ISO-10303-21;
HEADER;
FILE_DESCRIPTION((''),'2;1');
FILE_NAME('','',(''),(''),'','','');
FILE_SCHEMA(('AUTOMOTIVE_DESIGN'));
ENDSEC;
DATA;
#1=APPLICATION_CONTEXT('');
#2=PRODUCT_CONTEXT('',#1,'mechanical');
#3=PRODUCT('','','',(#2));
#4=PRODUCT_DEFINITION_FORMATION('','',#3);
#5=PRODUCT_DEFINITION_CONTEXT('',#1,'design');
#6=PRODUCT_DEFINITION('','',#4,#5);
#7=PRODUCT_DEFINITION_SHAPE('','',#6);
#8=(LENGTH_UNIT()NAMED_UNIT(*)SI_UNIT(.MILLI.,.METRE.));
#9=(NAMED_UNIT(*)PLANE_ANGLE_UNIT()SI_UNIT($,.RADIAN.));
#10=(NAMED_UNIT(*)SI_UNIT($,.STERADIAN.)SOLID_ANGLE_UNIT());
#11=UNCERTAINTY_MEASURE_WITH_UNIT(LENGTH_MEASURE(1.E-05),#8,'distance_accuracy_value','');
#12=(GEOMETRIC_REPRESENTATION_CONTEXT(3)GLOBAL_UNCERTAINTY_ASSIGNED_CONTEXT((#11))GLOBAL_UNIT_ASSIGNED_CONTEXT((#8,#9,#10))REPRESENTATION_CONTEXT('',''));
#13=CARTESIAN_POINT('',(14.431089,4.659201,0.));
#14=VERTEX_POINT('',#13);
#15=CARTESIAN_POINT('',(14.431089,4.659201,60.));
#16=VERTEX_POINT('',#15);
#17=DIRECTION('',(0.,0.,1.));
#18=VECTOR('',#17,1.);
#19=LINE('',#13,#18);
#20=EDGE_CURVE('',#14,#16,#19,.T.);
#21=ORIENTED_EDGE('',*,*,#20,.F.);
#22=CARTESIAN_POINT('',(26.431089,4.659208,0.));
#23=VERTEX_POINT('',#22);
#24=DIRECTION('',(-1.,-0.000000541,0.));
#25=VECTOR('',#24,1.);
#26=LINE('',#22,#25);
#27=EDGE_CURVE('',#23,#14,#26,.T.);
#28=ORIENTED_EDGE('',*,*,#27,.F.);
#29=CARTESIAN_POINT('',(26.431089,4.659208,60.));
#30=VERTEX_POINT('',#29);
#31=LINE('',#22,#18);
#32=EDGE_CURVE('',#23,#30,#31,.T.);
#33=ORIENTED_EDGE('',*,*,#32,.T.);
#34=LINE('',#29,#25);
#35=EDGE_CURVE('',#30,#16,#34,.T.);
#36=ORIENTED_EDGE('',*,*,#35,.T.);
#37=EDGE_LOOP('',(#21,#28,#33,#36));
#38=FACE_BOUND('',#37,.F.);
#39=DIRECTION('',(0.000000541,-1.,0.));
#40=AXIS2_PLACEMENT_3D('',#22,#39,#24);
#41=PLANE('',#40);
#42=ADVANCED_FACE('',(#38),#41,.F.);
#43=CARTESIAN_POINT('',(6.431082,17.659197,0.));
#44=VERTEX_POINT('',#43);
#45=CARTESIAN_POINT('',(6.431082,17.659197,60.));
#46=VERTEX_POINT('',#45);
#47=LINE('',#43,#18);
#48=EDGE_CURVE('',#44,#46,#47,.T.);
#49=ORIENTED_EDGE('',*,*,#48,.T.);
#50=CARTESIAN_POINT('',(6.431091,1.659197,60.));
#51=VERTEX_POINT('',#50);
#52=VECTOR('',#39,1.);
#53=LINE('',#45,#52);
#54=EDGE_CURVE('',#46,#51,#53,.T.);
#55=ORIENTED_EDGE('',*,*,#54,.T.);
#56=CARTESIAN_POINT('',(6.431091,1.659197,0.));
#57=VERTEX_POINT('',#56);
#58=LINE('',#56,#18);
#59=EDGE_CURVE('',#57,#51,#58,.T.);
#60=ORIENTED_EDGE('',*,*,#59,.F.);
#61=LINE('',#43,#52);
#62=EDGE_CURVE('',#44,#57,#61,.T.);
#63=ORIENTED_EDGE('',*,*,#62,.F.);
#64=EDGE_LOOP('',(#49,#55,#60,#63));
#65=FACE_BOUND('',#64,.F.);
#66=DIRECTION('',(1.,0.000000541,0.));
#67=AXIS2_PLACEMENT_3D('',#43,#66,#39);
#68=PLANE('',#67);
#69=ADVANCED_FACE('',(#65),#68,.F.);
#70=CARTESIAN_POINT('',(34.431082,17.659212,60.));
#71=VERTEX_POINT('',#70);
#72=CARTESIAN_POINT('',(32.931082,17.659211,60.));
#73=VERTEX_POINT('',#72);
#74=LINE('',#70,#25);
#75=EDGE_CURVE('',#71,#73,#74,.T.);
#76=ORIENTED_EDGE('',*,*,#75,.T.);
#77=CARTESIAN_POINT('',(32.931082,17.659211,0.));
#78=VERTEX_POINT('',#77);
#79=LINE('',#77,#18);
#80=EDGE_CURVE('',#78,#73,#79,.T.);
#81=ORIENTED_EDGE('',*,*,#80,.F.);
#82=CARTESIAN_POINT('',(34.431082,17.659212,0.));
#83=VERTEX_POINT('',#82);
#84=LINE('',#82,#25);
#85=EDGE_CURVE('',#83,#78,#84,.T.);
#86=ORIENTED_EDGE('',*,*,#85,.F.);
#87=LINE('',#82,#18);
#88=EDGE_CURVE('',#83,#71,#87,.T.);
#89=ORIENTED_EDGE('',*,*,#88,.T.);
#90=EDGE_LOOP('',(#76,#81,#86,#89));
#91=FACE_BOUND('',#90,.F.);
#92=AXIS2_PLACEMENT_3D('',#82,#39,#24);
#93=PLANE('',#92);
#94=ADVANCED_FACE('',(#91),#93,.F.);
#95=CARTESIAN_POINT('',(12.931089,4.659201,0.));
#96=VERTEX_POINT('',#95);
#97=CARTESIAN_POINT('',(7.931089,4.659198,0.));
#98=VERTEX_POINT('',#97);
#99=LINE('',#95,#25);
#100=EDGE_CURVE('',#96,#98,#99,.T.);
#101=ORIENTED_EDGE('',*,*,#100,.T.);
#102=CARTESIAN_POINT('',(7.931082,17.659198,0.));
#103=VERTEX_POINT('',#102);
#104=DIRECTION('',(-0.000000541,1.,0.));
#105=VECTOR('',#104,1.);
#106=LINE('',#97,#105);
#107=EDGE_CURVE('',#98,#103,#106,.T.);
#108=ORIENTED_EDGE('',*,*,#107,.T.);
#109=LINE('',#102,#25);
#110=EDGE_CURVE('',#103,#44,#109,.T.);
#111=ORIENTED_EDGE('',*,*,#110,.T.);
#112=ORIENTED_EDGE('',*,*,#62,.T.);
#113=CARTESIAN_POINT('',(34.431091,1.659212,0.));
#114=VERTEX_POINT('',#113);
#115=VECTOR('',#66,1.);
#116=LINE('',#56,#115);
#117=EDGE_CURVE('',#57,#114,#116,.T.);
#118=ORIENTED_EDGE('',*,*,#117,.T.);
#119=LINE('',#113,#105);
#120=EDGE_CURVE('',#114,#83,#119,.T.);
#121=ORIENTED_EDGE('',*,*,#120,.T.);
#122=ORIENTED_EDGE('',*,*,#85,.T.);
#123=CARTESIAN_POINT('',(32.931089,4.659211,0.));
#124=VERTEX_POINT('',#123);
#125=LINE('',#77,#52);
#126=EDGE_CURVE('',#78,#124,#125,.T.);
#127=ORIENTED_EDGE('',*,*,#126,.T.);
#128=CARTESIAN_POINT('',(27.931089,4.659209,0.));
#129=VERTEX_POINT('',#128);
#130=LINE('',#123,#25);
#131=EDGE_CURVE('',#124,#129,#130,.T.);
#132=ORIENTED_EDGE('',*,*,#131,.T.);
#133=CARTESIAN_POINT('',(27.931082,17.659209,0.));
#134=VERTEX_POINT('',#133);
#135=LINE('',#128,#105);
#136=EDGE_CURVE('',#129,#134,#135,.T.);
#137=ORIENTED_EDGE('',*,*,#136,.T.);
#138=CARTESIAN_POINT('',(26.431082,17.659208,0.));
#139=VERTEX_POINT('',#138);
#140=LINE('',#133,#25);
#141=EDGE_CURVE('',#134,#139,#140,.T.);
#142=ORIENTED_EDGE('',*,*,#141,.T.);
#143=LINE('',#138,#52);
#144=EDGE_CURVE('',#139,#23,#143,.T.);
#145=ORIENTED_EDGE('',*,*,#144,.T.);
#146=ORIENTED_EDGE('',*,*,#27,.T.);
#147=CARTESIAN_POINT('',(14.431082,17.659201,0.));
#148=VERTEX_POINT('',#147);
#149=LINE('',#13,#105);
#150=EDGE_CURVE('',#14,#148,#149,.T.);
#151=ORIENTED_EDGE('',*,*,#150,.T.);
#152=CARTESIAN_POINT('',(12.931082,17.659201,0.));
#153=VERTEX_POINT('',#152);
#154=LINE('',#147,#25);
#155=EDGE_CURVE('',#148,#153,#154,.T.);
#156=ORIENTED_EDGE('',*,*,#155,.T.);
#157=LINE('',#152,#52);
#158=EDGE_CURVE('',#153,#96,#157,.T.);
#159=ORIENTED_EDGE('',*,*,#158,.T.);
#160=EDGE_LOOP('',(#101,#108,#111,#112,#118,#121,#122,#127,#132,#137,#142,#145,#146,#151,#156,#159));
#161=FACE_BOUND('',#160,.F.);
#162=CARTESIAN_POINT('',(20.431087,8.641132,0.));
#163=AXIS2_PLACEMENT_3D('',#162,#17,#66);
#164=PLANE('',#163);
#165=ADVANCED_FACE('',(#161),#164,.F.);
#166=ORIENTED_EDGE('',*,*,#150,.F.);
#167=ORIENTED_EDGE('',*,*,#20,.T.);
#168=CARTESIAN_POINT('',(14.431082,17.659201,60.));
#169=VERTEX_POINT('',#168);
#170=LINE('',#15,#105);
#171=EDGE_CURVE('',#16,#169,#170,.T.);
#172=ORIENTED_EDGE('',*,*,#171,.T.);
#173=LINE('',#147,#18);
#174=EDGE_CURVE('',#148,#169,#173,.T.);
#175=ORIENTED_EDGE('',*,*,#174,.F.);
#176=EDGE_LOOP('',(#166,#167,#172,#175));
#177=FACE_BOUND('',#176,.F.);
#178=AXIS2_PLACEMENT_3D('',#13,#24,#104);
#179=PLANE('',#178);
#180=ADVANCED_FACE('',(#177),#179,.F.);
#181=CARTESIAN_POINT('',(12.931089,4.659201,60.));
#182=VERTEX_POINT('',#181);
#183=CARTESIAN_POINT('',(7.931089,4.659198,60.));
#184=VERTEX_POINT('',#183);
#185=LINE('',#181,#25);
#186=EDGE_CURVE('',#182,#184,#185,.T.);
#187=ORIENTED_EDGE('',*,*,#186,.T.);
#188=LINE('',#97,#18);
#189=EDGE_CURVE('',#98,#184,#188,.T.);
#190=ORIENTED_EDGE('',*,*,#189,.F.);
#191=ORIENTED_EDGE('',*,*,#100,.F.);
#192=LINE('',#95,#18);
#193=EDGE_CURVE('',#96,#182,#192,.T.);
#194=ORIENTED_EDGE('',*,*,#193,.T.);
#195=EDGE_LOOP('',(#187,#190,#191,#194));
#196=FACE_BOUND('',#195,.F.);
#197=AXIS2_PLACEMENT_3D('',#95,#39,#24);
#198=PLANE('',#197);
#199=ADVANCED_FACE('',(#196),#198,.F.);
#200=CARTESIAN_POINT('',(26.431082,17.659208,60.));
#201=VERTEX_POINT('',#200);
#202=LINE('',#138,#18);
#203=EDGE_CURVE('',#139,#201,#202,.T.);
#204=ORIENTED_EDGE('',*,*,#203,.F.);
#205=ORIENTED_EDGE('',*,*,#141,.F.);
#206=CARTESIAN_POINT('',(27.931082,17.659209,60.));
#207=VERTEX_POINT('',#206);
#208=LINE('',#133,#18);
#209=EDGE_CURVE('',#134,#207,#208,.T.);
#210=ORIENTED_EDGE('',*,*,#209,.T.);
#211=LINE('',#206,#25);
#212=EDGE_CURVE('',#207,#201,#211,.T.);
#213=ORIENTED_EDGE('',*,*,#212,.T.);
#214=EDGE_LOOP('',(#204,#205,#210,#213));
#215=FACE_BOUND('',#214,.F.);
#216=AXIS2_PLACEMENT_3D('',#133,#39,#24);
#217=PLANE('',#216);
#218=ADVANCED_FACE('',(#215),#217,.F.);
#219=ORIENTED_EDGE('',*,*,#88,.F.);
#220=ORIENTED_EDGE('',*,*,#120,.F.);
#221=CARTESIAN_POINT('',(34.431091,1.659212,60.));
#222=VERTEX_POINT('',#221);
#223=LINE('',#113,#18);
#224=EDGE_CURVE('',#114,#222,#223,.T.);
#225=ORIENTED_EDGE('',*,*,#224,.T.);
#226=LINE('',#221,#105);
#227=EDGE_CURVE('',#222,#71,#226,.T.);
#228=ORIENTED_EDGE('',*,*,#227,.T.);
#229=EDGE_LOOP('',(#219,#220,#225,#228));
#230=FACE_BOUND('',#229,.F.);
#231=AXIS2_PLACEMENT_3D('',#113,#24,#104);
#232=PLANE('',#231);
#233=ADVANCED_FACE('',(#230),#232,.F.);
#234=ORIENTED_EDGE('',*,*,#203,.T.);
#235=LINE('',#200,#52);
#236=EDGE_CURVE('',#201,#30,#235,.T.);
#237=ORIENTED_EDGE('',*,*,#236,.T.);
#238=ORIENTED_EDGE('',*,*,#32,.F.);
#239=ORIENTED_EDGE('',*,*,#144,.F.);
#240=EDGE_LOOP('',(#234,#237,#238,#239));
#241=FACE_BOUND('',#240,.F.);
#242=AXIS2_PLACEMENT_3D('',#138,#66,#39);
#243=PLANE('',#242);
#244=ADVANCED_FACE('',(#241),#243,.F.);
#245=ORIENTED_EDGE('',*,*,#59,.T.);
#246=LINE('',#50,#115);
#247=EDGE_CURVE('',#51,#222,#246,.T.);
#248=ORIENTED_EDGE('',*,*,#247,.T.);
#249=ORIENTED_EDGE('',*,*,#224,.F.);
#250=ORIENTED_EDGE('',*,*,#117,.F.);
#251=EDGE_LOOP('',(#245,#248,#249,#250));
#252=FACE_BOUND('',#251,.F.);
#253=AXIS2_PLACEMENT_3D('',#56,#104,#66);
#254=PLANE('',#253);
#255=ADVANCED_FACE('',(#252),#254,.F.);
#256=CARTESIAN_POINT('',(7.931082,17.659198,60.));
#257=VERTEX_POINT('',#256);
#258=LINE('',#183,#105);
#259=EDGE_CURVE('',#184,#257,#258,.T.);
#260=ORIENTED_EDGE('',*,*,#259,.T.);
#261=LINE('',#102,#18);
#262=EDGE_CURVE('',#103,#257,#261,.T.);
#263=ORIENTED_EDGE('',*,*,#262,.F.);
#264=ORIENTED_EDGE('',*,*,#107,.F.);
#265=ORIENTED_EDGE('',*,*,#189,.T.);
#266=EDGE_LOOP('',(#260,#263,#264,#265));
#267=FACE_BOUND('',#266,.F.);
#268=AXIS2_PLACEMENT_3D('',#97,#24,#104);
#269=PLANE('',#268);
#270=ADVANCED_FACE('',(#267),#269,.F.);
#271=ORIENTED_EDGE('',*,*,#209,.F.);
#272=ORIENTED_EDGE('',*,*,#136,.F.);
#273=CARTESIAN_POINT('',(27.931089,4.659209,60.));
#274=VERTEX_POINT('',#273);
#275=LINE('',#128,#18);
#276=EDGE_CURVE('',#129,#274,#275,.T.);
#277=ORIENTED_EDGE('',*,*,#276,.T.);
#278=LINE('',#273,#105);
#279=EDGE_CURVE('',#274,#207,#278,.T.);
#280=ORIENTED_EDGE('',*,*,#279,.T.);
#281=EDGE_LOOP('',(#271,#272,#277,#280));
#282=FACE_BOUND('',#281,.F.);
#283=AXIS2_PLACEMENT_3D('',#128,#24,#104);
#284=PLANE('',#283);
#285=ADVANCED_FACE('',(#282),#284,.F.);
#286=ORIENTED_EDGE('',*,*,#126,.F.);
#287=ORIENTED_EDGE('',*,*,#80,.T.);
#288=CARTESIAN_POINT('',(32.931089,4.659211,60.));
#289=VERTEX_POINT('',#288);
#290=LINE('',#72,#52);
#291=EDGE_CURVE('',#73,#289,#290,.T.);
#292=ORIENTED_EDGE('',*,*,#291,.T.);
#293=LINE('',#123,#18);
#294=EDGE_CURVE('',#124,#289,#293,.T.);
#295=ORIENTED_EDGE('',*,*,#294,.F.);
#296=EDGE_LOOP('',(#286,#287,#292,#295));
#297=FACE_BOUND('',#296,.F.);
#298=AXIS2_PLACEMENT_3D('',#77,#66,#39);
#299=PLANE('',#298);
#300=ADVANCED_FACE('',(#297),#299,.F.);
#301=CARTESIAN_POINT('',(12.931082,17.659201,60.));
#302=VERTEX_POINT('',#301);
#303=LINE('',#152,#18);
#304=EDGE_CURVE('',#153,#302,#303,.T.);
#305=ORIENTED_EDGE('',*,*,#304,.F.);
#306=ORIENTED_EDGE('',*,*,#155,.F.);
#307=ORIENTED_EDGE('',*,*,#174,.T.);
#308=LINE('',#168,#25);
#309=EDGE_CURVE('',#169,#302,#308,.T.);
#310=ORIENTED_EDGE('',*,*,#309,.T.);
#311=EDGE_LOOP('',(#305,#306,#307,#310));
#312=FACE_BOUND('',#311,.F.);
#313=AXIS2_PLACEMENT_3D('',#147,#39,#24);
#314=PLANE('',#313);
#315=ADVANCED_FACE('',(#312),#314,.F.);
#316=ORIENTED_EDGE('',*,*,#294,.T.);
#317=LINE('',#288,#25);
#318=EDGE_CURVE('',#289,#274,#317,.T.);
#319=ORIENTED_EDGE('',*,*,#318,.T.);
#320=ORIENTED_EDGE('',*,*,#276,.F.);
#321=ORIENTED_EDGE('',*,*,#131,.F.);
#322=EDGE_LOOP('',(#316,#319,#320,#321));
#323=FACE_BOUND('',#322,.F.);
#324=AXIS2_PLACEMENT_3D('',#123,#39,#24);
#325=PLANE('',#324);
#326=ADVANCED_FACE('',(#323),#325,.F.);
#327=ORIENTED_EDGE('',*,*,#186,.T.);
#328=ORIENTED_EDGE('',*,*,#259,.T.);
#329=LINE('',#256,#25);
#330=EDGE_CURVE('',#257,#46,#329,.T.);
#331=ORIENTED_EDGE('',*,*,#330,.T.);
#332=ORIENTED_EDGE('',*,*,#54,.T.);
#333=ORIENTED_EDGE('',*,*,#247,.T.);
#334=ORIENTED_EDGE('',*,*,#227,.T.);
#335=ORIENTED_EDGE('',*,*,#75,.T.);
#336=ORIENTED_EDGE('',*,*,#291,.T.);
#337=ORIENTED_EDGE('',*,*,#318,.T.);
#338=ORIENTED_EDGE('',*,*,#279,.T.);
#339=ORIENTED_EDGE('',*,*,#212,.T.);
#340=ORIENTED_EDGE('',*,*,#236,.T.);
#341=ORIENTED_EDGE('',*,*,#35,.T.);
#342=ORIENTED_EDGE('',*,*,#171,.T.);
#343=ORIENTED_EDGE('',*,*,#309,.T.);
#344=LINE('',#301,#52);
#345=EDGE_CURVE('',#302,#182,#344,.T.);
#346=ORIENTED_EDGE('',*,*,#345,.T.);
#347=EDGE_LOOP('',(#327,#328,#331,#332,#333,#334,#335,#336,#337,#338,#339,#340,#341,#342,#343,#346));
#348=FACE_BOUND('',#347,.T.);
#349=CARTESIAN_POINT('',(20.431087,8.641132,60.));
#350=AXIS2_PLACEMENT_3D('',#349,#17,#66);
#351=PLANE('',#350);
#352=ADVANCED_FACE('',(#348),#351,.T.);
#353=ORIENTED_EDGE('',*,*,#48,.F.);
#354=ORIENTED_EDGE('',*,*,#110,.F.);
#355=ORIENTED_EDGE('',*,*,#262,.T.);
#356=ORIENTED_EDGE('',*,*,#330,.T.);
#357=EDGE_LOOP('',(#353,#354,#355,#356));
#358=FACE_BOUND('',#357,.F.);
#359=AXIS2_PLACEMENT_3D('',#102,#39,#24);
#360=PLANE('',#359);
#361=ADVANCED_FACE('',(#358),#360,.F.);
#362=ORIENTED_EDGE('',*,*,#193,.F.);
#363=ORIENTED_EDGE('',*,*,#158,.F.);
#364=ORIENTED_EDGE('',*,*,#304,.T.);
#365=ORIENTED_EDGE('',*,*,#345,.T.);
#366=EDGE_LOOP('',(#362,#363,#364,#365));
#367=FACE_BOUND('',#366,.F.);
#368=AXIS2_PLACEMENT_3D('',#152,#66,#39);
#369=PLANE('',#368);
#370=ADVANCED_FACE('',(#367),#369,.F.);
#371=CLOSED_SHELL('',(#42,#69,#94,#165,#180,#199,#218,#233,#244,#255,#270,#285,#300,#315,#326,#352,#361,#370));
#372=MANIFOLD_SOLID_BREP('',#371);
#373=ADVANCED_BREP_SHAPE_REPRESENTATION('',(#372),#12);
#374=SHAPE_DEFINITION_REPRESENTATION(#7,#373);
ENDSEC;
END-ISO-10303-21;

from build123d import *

# Parameters (mm, degrees)
EXTRUDE_DEPTH                     = 60
EXTRUDE_ONTO_WIRE_PLACEMENT_ANGLE = 3.1e-05


with BuildPart() as part:
    # Wire as drawn → Extrude (new)
    with BuildSketch(Plane.XY):
        Polygon((0, 0), (28, 0), (28, 16), (26.5, 16), (26.5, 3), (21.5, 3), (21.5, 16), (20, 16), (20, 3), (8, 3), (8, 16), (6.5, 16), (6.5, 3), (1.5, 3), (1.5, 16), (0, 16), align=None)
    extrude(amount=EXTRUDE_DEPTH)


with BuildPart() as part_1:
    # Extrude onto Wire placement: moved
    add(part.part.moved(Location((6.431091, 1.659197, 0))).rotate(Axis((6.431091, 1.659197, 0), (0, 0, 1)), EXTRUDE_ONTO_WIRE_PLACEMENT_ANGLE))


solid = part_1.part
